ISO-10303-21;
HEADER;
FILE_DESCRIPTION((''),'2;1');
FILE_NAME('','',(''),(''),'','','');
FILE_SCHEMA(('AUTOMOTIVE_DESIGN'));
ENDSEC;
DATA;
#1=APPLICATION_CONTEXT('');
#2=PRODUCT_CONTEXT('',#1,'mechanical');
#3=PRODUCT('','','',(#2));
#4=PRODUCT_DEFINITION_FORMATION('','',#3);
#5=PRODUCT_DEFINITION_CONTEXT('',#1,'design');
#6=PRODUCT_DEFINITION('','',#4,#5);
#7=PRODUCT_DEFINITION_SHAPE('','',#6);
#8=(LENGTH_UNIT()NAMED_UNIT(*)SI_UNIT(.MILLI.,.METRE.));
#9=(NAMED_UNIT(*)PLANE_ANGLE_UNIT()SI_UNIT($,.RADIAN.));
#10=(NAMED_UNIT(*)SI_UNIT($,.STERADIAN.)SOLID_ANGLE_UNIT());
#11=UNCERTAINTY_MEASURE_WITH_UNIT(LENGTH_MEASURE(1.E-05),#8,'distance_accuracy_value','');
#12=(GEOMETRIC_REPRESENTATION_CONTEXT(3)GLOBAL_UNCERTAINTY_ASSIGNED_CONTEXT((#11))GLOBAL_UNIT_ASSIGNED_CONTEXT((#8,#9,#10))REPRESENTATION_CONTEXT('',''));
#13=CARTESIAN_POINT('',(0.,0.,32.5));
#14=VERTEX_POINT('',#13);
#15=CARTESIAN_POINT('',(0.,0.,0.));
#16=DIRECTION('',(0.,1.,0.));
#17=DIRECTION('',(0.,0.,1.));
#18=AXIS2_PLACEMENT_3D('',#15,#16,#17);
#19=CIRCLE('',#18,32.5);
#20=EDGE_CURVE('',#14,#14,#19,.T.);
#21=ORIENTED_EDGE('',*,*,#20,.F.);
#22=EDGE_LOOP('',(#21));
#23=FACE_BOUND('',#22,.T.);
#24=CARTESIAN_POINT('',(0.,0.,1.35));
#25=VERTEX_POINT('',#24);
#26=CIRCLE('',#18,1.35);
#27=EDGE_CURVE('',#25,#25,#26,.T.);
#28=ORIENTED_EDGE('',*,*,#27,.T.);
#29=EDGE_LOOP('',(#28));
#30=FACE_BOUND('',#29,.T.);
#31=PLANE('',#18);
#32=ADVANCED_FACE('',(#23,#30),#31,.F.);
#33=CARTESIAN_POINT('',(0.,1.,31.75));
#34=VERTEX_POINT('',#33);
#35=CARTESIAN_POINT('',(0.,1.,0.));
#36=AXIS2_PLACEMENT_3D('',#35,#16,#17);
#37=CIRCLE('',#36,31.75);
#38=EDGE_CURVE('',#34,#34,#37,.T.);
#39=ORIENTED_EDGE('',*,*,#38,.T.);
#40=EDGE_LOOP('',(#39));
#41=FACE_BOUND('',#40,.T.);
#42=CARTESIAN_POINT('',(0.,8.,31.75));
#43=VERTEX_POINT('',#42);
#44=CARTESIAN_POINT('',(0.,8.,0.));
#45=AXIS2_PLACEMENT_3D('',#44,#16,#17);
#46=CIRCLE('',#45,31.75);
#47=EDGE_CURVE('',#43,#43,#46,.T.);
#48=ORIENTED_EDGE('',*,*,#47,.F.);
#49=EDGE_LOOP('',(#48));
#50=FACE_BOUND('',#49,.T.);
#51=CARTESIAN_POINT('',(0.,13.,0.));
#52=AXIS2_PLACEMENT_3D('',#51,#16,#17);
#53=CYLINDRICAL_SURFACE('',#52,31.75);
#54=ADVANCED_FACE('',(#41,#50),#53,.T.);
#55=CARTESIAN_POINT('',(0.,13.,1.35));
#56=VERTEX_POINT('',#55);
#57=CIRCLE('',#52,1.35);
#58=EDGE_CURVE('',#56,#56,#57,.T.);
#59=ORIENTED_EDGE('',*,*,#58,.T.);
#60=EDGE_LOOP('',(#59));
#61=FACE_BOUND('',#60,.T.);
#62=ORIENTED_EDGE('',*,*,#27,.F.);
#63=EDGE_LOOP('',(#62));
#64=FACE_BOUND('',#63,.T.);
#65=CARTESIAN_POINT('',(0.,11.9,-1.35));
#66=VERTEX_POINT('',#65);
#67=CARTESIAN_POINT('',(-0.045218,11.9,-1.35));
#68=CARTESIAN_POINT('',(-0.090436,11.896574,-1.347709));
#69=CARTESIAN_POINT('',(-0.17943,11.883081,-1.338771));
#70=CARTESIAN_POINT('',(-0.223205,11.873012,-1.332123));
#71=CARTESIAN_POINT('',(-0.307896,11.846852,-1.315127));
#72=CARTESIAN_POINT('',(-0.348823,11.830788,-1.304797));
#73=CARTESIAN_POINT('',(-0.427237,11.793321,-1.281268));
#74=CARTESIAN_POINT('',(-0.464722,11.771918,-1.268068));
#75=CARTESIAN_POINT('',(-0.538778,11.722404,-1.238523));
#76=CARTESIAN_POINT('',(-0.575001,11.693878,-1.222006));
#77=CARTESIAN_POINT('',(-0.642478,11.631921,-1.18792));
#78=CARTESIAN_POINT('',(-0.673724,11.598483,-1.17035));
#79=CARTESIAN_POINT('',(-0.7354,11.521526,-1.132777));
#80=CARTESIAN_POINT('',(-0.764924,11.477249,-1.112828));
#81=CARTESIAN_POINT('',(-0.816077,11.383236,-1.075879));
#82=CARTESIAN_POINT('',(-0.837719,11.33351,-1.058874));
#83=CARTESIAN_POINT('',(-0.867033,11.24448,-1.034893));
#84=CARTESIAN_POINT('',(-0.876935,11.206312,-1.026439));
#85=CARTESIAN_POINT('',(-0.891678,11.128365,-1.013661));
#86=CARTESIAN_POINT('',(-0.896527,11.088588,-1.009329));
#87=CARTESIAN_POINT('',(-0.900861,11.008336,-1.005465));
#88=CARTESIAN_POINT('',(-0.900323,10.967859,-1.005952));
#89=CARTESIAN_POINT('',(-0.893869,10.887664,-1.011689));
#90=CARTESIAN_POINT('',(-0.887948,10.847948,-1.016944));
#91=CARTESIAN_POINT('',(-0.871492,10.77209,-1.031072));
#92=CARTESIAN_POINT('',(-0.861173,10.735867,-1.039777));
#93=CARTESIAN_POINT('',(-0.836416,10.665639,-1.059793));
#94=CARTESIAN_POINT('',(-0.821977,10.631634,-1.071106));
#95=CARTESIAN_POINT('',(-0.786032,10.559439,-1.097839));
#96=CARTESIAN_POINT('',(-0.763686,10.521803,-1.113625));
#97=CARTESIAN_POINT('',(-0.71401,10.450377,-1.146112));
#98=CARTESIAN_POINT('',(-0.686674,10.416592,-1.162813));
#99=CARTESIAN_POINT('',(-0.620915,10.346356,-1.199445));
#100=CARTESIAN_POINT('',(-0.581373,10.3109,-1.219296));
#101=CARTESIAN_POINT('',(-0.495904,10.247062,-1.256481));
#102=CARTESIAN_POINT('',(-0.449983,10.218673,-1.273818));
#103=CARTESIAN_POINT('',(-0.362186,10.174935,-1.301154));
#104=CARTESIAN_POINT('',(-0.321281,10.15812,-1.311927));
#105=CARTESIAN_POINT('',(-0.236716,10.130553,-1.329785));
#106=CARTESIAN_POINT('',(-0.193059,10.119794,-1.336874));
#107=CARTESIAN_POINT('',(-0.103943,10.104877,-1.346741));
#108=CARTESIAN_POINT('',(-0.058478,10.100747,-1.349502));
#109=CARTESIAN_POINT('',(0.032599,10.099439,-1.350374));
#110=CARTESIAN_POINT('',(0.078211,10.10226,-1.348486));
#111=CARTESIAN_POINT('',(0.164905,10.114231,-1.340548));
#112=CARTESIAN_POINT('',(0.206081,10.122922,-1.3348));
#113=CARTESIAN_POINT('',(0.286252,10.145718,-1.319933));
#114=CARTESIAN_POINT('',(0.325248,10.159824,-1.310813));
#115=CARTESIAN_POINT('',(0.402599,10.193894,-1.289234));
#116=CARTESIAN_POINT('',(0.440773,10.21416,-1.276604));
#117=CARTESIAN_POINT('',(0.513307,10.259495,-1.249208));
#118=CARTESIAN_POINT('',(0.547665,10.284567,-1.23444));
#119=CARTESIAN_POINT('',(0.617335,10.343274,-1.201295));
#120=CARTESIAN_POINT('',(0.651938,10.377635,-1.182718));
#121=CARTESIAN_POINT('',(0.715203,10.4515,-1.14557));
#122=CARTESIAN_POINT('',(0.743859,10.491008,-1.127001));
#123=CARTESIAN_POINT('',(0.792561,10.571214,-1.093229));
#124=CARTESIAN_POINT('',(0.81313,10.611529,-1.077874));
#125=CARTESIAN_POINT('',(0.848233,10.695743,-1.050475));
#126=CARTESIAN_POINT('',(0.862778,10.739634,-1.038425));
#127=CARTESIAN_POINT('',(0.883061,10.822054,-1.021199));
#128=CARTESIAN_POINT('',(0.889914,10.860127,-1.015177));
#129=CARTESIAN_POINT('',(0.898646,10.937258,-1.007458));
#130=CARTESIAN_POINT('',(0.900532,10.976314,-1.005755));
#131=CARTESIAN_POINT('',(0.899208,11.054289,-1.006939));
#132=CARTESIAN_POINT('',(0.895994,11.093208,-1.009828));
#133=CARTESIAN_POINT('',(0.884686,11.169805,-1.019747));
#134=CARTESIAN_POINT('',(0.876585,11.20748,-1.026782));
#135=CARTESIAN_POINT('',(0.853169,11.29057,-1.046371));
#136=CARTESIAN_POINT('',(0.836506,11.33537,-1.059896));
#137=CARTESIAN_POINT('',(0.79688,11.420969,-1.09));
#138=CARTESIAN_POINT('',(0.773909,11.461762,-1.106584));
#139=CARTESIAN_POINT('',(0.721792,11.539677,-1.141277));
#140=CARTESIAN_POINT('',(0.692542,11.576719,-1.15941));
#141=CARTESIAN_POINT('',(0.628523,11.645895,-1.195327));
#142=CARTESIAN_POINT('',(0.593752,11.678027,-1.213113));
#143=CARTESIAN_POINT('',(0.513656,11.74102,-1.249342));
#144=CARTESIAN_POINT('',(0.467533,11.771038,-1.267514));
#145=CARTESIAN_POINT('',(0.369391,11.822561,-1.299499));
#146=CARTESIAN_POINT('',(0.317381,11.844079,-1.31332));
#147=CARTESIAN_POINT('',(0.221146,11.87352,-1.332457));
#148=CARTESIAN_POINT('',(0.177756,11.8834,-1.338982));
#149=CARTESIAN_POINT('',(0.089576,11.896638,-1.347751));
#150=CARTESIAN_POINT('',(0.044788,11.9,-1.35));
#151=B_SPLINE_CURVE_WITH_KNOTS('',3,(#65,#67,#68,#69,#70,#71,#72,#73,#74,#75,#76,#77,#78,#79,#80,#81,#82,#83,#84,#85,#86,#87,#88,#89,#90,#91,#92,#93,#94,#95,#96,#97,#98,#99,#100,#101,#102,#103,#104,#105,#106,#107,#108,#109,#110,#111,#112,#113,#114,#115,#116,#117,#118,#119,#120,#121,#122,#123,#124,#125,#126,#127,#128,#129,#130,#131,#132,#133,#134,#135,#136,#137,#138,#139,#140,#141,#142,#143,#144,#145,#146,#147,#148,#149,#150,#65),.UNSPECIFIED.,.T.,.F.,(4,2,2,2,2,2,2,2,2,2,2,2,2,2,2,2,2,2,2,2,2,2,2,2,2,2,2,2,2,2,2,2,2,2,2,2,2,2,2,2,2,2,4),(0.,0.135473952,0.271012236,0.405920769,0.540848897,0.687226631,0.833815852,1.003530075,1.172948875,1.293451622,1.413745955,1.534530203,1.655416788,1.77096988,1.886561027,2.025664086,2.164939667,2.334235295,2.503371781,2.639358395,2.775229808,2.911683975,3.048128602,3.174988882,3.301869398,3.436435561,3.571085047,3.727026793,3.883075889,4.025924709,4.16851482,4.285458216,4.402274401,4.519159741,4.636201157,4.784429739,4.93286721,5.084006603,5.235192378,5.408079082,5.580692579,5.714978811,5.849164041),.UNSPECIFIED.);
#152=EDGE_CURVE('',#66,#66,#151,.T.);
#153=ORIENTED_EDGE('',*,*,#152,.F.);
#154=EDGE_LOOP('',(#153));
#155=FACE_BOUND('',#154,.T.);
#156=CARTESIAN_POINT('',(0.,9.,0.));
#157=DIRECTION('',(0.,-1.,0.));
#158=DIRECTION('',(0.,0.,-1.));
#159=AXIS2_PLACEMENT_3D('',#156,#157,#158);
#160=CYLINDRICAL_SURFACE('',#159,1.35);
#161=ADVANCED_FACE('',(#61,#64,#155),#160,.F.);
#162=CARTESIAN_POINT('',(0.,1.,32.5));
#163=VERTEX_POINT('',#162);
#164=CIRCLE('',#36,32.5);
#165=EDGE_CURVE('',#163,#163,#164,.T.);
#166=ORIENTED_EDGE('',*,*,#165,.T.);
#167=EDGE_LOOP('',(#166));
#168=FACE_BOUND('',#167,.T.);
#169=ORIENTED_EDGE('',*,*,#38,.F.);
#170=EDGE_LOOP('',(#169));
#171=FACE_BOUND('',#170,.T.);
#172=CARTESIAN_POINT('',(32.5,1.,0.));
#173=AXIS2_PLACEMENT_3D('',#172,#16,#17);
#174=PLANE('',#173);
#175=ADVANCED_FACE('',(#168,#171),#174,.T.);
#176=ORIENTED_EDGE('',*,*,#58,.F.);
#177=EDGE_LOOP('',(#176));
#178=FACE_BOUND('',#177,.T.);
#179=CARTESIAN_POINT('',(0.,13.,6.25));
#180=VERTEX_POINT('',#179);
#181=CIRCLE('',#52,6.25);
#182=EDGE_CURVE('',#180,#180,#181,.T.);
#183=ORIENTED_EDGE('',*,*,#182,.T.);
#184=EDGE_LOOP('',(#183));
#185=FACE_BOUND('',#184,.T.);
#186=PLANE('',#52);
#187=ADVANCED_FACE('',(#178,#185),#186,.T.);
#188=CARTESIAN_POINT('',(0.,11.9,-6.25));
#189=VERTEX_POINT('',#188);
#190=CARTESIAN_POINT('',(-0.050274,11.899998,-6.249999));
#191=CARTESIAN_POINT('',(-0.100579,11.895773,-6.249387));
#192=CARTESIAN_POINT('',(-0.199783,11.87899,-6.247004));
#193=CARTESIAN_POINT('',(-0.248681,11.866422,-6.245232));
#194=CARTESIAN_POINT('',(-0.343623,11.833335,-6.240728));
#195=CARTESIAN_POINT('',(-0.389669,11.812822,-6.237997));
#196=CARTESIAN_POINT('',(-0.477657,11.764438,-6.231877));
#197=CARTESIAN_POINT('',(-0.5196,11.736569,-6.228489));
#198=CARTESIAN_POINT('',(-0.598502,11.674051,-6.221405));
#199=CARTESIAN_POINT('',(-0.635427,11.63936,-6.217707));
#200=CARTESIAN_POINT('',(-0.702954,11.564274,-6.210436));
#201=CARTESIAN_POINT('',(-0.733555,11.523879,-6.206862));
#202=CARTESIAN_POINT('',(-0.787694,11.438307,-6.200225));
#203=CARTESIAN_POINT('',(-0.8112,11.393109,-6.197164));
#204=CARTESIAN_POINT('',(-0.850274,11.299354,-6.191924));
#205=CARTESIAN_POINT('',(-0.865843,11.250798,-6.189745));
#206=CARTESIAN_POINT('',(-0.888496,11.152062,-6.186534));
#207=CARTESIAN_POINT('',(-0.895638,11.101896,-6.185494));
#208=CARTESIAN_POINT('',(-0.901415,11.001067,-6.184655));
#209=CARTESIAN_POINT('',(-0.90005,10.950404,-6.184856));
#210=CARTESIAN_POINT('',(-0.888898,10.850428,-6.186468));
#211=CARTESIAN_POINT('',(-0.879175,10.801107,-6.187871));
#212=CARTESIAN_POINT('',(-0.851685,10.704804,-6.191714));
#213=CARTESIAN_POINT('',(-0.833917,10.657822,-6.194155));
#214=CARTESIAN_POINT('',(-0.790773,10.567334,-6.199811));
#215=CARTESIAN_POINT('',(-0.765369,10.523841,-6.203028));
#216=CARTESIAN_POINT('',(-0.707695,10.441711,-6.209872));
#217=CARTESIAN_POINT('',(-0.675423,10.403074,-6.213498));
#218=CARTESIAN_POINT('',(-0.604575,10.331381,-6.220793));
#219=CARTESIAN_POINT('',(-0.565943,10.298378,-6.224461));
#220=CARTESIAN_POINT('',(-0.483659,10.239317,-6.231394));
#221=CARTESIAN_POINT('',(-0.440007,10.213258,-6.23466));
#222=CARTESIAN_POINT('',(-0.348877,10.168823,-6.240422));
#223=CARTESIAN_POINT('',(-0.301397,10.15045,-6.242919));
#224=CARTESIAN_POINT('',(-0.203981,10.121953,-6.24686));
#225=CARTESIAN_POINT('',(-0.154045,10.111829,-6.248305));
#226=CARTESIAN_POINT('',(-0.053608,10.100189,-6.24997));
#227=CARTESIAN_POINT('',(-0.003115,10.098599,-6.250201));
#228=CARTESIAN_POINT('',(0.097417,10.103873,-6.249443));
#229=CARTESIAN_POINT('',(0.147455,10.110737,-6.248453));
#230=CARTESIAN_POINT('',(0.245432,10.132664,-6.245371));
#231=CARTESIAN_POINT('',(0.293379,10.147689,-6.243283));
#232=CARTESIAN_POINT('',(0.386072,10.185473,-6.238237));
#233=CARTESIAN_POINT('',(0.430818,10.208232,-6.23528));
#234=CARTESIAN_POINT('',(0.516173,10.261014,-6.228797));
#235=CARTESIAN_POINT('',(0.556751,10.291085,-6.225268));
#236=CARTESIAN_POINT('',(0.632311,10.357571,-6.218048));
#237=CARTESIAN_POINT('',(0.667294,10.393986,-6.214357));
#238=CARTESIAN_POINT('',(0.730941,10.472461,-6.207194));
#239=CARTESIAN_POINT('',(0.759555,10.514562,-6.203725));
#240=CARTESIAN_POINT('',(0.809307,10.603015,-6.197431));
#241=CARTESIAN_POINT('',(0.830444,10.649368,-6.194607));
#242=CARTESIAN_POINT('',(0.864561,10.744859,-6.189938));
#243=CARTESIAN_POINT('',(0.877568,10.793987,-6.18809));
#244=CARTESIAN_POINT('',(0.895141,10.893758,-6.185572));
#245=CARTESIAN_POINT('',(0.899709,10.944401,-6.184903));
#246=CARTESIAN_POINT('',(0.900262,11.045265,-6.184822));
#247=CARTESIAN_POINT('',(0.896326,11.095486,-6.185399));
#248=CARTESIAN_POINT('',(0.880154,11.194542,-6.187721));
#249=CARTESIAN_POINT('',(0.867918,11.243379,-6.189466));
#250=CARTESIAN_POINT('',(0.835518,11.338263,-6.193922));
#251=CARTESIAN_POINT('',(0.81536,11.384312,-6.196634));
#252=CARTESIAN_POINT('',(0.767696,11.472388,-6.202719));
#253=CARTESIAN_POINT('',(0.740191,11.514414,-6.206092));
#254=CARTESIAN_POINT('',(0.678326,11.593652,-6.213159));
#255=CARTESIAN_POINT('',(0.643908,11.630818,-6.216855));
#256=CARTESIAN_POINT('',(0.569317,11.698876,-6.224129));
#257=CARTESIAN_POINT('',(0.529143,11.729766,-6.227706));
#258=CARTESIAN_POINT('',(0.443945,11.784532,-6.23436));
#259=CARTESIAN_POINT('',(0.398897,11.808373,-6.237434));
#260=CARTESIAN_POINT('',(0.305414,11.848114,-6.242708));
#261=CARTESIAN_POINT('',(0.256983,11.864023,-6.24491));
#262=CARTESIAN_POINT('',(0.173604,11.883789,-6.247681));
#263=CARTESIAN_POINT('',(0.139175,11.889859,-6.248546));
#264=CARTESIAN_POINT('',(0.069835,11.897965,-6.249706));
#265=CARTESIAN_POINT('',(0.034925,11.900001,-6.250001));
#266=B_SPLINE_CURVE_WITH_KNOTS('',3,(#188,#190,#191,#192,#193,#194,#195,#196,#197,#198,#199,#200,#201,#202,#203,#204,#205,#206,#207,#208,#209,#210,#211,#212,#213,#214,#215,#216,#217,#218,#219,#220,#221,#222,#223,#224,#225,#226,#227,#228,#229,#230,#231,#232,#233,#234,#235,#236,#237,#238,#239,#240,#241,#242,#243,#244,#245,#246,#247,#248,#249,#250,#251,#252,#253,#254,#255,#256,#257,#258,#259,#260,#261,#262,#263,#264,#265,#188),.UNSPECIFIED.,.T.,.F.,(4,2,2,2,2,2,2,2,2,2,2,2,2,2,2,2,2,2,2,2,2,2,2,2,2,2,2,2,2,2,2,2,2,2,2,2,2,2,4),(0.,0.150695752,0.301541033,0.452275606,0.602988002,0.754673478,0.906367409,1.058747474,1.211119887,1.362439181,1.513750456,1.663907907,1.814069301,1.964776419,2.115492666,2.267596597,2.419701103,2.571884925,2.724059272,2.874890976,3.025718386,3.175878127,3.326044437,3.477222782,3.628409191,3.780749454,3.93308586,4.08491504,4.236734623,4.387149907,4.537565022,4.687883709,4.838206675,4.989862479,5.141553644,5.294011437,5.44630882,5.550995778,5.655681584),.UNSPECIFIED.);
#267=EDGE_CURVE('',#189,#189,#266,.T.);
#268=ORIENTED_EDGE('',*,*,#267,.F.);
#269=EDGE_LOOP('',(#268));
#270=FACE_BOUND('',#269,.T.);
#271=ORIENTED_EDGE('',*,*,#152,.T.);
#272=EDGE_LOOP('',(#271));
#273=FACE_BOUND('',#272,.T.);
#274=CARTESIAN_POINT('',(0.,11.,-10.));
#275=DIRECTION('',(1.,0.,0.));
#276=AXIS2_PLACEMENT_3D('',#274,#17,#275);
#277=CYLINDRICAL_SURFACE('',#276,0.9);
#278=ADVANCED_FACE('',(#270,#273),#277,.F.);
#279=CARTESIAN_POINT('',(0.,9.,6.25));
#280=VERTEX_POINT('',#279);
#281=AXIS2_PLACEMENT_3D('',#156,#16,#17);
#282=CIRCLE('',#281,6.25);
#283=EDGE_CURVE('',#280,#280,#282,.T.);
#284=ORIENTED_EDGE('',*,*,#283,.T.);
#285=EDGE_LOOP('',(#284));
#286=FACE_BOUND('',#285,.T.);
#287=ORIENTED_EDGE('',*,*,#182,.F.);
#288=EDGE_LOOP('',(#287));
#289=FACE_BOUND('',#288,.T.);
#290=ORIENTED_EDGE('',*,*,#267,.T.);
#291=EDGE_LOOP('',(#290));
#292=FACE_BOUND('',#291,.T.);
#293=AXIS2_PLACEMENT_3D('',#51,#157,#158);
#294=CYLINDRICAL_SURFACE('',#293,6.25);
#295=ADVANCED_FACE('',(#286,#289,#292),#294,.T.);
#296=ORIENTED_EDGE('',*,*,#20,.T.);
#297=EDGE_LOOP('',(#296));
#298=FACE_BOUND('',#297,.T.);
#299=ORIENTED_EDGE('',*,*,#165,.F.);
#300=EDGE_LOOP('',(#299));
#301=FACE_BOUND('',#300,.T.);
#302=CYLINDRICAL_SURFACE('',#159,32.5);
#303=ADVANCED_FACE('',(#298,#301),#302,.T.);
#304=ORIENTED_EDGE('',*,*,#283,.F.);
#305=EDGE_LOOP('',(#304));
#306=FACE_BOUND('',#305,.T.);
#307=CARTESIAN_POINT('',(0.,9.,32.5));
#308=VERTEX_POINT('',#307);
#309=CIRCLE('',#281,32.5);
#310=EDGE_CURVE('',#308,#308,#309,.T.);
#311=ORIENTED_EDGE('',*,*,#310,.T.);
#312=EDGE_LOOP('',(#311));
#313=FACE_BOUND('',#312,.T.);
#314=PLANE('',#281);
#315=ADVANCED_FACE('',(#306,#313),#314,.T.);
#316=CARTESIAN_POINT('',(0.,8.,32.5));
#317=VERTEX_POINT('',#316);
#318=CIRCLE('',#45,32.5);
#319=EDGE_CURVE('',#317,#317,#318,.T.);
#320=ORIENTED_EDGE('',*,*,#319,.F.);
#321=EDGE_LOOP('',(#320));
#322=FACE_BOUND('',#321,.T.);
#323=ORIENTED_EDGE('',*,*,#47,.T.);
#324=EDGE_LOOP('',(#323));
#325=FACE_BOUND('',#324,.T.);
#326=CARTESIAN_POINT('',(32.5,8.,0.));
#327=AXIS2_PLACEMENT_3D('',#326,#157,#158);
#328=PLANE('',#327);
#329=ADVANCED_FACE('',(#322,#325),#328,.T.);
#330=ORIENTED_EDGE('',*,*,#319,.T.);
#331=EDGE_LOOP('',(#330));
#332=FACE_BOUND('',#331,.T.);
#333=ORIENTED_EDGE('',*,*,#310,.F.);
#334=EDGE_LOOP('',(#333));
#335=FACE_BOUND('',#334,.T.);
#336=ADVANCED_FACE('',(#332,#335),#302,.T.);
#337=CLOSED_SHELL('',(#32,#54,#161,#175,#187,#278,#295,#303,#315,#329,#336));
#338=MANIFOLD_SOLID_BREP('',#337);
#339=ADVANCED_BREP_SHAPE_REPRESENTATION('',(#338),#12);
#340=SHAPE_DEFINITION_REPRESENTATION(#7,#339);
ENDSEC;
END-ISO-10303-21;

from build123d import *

# Parameters (mm, degrees)
SKETCH1_R           = 32.5
SKETCH1_R_2         = 1.35
BOSS_EXTRUDE1_DEPTH = 9
BOSS_EXTRUDE2_START = 9
SKETCH1_3_R         = 6.25
SKETCH1_3_R_2       = 1.35
BOSS_EXTRUDE2_DEPTH = 4
SKETCH2_W           = 0.75
SKETCH2_H           = 7
SKETCH3_R           = 0.9
CUT_EXTRUDE1_DEPTH  = 10


with BuildPart() as part:
    # Sketch1 → Boss-Extrude1 (new body)
    with BuildSketch(Plane(origin=(0, 0, 0), x_dir=(1, 0, 0), z_dir=(0, 1, 0))):
        with Locations(Location((0, 0, 0), (0, 0, 270))):
            Circle(SKETCH1_R)
        with Locations(Location((0, 0, 0), (0, 0, 270))):
            Circle(SKETCH1_R_2, mode=Mode.SUBTRACT)
    extrude(amount=BOSS_EXTRUDE1_DEPTH)

    # Sketch1<3> → Boss-Extrude2 (add)
    with BuildSketch(Plane(origin=(0, 0, 0), x_dir=(1, 0, 0), z_dir=(0, 1, 0)).offset(BOSS_EXTRUDE2_START)):
        with Locations(Location((0, 0, 0), (0, 0, 270))):
            Circle(SKETCH1_3_R)
        with Locations(Location((0, 0, 0), (0, 0, 270))):
            Circle(SKETCH1_3_R_2, mode=Mode.SUBTRACT)
    extrude(amount=BOSS_EXTRUDE2_DEPTH)

    # Sketch2 → Cut-Revolve1 (revolve, cut)
    with BuildSketch(Plane.XY, mode=Mode.PRIVATE) as cut_revolve1_sk:
        with Locations((32.125, 4.5)):
            Rectangle(SKETCH2_W, SKETCH2_H)
    revolve(cut_revolve1_sk.sketch.rotate(Axis((0, 9, 0), (0, -1, 0)), 90), axis=Axis((0, 9, 0), (0, -1, 0)), mode=Mode.SUBTRACT)

    # Sketch3 → Cut-Extrude1 (cut)
    with BuildSketch(Plane.XY):
        with Locations(Location((0, 11, 0), (0, 0, 90))):
            Circle(SKETCH3_R)
    extrude(amount=-CUT_EXTRUDE1_DEPTH, mode=Mode.SUBTRACT)


solid = part.part
